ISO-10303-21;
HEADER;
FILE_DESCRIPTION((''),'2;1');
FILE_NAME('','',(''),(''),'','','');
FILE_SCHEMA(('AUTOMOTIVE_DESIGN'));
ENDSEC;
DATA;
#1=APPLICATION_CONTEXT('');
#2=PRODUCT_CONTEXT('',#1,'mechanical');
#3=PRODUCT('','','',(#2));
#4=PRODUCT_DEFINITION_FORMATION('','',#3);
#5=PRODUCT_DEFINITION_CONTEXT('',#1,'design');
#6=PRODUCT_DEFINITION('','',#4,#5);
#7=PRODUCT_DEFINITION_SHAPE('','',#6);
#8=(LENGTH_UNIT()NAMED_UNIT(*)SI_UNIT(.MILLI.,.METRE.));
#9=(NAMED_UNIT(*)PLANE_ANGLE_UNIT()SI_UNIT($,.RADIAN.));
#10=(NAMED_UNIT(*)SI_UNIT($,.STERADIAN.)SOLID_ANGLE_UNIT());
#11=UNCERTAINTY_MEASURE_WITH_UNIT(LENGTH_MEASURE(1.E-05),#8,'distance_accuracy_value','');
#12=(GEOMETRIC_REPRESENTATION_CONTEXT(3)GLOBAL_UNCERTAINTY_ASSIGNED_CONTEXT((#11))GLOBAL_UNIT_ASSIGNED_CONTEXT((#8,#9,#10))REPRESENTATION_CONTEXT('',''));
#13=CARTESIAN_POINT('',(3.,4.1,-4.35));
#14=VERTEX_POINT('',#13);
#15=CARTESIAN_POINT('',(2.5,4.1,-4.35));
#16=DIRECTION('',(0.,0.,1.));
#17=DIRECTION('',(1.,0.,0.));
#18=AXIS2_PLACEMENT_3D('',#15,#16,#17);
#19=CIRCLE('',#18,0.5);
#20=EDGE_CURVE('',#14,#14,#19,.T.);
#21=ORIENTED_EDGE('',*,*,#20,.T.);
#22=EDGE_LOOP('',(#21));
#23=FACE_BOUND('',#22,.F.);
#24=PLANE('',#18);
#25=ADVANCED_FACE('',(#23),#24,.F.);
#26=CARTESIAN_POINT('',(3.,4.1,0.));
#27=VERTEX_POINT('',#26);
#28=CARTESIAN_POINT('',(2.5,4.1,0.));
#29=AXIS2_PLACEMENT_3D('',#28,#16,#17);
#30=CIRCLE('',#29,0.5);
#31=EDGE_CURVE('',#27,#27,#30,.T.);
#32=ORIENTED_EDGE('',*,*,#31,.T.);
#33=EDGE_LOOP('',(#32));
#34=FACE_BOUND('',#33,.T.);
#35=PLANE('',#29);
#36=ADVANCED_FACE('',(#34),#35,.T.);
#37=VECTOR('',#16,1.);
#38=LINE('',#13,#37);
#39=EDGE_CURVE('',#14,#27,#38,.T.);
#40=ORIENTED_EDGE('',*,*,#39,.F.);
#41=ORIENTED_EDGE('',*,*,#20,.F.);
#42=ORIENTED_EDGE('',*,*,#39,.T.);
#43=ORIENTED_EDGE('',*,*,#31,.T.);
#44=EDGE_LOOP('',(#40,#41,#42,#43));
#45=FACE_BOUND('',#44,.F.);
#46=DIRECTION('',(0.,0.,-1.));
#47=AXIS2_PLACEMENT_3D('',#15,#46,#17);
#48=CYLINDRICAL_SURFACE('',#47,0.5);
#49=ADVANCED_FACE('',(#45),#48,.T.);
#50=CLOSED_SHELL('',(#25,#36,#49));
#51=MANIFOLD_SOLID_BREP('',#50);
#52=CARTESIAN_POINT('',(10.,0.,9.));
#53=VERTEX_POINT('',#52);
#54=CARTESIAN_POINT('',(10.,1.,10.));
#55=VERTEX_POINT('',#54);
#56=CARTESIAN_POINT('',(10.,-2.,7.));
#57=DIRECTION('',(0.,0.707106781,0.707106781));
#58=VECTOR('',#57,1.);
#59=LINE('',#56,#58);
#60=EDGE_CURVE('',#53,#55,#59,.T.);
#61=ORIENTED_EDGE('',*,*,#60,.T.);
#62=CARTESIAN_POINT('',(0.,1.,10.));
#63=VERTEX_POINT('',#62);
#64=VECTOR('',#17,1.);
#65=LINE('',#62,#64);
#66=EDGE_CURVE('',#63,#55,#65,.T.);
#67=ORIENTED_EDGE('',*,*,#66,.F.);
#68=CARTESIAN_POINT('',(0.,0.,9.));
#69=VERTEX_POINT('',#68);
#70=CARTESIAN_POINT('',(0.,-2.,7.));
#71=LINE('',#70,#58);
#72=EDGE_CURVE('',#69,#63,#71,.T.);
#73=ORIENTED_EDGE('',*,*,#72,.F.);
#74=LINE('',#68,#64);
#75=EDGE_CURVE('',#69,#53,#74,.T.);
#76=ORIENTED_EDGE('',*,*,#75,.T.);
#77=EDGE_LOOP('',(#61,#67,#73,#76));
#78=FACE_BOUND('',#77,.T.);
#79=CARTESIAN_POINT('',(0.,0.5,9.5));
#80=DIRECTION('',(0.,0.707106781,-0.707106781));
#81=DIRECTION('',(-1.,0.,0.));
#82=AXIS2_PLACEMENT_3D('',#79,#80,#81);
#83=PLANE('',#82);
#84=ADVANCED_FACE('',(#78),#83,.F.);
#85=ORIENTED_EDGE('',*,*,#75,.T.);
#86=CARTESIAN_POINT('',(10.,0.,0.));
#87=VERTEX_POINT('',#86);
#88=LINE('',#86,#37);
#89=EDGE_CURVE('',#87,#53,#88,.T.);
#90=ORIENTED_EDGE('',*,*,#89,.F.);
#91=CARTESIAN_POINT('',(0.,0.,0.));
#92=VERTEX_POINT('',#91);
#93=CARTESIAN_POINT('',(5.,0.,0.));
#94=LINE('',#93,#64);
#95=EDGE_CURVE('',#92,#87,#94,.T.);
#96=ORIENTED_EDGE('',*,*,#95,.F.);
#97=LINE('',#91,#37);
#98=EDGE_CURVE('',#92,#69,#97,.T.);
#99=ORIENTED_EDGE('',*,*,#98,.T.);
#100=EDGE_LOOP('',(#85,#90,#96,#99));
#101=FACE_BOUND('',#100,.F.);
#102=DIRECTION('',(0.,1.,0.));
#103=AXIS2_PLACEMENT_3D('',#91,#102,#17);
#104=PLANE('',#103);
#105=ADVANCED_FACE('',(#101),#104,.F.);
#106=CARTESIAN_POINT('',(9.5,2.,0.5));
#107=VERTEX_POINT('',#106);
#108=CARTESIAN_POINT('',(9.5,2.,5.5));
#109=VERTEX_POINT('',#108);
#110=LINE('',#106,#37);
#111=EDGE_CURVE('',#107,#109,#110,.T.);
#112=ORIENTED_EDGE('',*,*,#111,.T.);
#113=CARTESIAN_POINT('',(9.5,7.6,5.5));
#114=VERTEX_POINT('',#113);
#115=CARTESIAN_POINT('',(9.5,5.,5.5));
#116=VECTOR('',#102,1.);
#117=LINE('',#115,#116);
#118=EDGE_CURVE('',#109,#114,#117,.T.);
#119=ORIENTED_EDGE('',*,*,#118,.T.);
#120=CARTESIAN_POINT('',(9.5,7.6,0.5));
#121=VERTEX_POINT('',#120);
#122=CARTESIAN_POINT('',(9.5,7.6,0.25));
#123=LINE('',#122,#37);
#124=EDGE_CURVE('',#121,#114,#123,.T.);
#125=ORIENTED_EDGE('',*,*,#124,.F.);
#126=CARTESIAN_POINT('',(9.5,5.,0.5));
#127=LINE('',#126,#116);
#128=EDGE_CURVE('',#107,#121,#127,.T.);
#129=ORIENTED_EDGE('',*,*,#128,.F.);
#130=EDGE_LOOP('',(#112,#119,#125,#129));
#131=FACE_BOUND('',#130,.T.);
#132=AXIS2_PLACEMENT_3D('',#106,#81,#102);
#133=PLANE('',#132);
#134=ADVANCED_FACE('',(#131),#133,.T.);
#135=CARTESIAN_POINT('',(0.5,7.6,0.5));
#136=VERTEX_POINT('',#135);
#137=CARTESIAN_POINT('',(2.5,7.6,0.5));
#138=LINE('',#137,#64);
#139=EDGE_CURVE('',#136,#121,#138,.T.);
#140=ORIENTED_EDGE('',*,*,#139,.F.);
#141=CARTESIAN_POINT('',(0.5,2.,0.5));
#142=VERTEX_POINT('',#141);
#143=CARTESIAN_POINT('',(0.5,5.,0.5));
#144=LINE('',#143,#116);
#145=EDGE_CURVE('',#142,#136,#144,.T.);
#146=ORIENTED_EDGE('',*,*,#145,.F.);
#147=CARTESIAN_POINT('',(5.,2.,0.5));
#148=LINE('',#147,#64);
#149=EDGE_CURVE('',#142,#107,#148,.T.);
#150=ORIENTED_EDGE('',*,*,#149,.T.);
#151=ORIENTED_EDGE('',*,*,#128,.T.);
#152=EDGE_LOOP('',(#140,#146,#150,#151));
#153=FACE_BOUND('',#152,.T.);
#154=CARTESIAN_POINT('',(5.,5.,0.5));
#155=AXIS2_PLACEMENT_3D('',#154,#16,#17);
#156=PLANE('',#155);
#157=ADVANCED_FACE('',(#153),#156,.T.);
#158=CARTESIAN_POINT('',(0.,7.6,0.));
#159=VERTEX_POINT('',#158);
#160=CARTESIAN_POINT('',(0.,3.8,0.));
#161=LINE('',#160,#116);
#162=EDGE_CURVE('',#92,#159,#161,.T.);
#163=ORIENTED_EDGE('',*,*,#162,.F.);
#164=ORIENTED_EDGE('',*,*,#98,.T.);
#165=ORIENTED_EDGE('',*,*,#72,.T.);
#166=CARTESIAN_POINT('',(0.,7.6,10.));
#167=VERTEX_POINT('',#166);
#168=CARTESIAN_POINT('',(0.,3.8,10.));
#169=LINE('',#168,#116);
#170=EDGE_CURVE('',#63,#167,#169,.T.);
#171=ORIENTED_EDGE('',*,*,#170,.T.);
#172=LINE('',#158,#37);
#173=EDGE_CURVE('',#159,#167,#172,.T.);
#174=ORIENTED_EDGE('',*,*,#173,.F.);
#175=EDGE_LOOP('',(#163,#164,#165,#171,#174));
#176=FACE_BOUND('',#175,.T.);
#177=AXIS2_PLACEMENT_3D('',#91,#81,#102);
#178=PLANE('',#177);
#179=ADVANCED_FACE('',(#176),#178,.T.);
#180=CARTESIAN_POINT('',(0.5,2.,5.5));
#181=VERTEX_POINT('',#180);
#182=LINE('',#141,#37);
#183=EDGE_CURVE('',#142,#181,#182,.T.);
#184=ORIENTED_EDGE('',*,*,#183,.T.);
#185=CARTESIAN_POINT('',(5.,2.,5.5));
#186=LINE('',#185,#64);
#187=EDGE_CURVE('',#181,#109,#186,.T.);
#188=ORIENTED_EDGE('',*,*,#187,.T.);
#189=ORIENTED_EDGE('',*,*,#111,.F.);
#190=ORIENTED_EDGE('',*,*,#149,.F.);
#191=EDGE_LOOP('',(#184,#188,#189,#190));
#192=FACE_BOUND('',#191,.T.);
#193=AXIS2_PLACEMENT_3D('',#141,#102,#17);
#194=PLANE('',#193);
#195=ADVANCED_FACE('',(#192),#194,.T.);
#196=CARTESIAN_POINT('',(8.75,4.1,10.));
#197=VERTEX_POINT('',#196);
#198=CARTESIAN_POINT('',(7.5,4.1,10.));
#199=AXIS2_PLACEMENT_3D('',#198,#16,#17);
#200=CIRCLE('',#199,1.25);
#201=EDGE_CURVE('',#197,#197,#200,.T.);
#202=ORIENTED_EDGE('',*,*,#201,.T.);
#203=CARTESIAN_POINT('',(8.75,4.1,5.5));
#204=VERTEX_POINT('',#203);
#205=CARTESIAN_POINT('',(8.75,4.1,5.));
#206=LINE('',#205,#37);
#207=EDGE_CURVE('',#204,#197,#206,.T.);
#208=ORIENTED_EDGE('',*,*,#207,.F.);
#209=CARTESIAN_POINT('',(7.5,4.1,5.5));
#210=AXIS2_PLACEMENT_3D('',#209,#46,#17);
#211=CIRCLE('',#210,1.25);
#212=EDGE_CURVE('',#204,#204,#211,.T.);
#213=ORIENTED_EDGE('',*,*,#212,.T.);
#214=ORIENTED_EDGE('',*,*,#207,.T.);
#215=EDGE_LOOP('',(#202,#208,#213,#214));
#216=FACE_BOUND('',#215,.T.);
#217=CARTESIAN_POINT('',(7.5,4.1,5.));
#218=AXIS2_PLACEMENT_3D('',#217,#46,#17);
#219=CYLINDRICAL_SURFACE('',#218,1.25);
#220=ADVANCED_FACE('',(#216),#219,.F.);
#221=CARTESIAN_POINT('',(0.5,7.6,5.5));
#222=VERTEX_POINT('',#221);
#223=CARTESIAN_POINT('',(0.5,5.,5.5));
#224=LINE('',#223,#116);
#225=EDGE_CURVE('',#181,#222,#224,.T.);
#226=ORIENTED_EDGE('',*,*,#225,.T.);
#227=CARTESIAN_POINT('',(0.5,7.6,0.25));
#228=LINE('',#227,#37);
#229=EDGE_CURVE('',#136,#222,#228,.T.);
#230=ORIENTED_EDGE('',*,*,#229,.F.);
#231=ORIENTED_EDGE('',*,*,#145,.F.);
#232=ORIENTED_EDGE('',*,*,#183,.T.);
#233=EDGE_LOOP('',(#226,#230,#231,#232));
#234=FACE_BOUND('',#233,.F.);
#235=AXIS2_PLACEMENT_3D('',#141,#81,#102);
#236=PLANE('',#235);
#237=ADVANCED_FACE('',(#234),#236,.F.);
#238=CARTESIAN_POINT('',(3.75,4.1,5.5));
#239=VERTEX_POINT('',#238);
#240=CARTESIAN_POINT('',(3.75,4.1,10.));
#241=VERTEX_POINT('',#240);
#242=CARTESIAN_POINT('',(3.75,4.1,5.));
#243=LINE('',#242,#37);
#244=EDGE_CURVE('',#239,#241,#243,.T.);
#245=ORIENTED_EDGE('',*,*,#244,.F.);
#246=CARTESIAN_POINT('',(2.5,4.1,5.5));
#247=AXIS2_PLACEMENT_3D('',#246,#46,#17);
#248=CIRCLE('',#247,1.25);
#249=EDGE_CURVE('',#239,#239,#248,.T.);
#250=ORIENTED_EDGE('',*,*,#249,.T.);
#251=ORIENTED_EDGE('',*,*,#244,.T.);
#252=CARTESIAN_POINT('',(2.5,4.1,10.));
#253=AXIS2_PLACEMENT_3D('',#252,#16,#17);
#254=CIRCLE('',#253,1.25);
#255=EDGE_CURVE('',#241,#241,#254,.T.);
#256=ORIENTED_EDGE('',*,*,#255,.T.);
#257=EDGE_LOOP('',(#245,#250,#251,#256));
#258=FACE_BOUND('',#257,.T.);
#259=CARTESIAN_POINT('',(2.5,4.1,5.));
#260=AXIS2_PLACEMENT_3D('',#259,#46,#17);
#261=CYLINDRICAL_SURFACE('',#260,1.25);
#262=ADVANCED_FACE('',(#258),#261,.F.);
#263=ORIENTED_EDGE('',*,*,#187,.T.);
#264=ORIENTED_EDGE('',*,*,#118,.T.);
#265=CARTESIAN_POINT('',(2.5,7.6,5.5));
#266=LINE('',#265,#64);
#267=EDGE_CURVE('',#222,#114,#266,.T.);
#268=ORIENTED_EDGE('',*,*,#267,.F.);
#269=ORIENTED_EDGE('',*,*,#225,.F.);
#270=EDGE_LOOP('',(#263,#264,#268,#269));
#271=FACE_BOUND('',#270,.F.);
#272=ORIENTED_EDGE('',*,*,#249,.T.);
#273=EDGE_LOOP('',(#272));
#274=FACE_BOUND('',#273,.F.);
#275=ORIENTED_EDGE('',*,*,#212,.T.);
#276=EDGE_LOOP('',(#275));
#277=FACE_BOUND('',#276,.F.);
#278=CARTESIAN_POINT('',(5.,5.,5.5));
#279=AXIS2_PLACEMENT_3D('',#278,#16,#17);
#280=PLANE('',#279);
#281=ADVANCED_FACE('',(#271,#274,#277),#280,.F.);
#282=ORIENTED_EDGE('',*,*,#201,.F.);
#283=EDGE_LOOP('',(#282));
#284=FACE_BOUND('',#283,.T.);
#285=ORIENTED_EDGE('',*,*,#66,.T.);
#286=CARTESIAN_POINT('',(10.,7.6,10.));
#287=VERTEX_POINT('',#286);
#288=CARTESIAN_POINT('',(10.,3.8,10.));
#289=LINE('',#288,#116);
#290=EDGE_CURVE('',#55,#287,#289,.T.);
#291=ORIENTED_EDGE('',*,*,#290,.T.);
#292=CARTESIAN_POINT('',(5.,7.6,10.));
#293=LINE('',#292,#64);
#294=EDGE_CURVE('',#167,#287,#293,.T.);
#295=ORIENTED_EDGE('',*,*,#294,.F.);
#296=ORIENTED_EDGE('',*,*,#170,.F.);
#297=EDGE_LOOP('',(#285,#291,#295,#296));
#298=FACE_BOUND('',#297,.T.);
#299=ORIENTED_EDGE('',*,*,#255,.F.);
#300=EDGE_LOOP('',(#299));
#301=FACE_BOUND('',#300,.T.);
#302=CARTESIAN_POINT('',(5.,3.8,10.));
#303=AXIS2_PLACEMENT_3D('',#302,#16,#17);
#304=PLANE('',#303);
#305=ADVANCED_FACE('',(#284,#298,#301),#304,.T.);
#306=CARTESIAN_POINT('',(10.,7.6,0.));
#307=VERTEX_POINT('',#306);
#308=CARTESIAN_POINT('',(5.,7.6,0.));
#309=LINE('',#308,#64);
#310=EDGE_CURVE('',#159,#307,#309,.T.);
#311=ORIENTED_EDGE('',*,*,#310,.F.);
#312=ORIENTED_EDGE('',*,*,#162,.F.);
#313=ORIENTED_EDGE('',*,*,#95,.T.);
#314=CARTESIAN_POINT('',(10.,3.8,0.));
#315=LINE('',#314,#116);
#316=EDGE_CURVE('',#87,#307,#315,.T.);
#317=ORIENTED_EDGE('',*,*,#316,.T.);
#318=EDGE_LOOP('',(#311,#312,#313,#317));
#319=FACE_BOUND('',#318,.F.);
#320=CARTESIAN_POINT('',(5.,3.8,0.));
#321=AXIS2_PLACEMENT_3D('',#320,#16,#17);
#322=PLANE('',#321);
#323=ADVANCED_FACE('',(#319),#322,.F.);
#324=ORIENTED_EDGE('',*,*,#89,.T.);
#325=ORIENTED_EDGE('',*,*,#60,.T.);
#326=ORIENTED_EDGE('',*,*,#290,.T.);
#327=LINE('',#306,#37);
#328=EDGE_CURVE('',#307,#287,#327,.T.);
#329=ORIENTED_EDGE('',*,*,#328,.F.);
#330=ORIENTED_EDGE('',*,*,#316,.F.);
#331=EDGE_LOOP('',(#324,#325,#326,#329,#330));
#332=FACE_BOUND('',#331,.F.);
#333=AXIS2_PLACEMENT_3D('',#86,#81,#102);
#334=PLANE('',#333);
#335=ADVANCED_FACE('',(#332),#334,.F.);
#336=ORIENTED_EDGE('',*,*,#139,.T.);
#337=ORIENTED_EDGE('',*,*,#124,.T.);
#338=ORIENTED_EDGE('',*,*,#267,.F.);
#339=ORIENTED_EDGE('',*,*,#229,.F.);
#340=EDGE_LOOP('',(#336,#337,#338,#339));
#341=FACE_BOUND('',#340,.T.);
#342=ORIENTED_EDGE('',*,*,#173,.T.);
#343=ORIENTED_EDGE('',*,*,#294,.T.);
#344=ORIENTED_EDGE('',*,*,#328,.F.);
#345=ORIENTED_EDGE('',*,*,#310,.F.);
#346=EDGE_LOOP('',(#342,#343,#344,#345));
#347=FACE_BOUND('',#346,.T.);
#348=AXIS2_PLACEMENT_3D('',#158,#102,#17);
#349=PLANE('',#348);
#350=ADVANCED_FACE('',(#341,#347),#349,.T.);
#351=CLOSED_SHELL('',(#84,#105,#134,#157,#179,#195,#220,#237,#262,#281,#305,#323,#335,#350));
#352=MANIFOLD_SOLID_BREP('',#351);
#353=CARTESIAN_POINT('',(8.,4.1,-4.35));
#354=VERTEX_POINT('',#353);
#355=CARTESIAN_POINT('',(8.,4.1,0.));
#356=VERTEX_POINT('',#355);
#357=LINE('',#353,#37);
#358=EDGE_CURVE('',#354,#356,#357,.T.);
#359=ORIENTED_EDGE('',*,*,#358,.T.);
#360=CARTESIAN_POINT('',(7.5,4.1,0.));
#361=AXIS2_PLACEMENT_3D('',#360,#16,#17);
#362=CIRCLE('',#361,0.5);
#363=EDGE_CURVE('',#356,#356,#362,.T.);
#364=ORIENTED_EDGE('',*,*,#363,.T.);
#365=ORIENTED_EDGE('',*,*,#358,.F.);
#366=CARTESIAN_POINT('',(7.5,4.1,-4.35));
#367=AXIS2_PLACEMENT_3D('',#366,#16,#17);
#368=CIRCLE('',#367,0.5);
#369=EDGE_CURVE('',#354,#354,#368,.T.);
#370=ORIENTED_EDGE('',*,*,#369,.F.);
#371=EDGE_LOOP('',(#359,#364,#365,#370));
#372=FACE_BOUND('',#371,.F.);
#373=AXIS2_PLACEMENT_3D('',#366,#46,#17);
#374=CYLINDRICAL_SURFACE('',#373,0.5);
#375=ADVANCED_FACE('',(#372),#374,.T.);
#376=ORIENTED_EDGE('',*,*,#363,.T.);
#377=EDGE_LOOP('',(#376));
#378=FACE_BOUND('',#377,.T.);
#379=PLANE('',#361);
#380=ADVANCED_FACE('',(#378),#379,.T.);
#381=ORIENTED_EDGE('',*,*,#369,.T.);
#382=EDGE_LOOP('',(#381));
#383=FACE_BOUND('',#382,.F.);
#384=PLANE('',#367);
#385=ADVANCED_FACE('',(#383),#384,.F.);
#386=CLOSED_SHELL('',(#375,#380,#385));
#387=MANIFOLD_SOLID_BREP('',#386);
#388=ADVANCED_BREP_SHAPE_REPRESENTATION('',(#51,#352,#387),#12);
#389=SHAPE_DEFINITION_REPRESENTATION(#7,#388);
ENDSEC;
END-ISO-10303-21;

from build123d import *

# Parameters (mm, degrees)
CYLINDER_R        = 0.5
CYLINDER_DEPTH    = 4.35
CYLINDER001_R     = 0.5
CYLINDER001_DEPTH = 4.35
BOX001_W          = 9
BOX001_H          = 6
BOX001_DEPTH      = 5
CYLINDER003_R     = 1.25
CYLINDER003_DEPTH = 5
CYLINDER002_R     = 1.25
CYLINDER002_DEPTH = 5
BOX_W             = 10
BOX_H             = 7.6
BOX_DEPTH         = 10
CHAMFER_SIZE      = 1


with BuildPart() as cylinder:
    # Cylinder → Cylinder (new body)
    with BuildSketch(Plane(origin=(2.5, 4.1, -4.35), x_dir=(1, 0, 0), z_dir=(0, 0, 1))):
        Circle(CYLINDER_R)
    extrude(amount=CYLINDER_DEPTH)


with BuildPart() as cylinder001:
    # Cylinder001 → Cylinder001 (new body)
    with BuildSketch(Plane(origin=(7.5, 4.1, -4.35), x_dir=(1, 0, 0), z_dir=(0, 0, 1))):
        Circle(CYLINDER001_R)
    extrude(amount=CYLINDER001_DEPTH)


with BuildPart() as cube001:
    # Box001 → Box001 (new body)
    with BuildSketch(Plane(origin=(0.5, 2, 0.5), x_dir=(1, 0, 0), z_dir=(0, 0, 1))):
        with Locations((4.5, 3)):
            Rectangle(BOX001_W, BOX001_H)
    extrude(amount=BOX001_DEPTH)


with BuildPart() as cylinder003:
    # Cylinder003 → Cylinder003 (new body)
    with BuildSketch(Plane(origin=(7.5, 4.1, 5), x_dir=(1, 0, 0), z_dir=(0, 0, 1))):
        Circle(CYLINDER003_R)
    extrude(amount=CYLINDER003_DEPTH)


with BuildPart() as cylinder002:
    # Cylinder002 → Cylinder002 (new body)
    with BuildSketch(Plane(origin=(2.5, 4.1, 5), x_dir=(1, 0, 0), z_dir=(0, 0, 1))):
        Circle(CYLINDER002_R)
    extrude(amount=CYLINDER002_DEPTH)


with BuildPart() as chamfer_body:
    # Box → Box (new body)
    with BuildSketch(Plane.XY):
        with Locations((5, 3.8)):
            Rectangle(BOX_W, BOX_H)
    extrude(amount=BOX_DEPTH)

    # Cut: cut Cylinder002
    add(cylinder002.part, mode=Mode.SUBTRACT)

    # Cut001: cut Cylinder003
    add(cylinder003.part, mode=Mode.SUBTRACT)

    # Cut002: cut Cube001
    add(cube001.part, mode=Mode.SUBTRACT)

    # Chamfer
    chamfer_edges = [chamfer_body.edges().sort_by_distance(p)[0] for p in [
        (5, 0, 10),
    ]]
    chamfer(chamfer_edges, length=CHAMFER_SIZE)


solid = Compound([cylinder.part, cylinder001.part, chamfer_body.part])
